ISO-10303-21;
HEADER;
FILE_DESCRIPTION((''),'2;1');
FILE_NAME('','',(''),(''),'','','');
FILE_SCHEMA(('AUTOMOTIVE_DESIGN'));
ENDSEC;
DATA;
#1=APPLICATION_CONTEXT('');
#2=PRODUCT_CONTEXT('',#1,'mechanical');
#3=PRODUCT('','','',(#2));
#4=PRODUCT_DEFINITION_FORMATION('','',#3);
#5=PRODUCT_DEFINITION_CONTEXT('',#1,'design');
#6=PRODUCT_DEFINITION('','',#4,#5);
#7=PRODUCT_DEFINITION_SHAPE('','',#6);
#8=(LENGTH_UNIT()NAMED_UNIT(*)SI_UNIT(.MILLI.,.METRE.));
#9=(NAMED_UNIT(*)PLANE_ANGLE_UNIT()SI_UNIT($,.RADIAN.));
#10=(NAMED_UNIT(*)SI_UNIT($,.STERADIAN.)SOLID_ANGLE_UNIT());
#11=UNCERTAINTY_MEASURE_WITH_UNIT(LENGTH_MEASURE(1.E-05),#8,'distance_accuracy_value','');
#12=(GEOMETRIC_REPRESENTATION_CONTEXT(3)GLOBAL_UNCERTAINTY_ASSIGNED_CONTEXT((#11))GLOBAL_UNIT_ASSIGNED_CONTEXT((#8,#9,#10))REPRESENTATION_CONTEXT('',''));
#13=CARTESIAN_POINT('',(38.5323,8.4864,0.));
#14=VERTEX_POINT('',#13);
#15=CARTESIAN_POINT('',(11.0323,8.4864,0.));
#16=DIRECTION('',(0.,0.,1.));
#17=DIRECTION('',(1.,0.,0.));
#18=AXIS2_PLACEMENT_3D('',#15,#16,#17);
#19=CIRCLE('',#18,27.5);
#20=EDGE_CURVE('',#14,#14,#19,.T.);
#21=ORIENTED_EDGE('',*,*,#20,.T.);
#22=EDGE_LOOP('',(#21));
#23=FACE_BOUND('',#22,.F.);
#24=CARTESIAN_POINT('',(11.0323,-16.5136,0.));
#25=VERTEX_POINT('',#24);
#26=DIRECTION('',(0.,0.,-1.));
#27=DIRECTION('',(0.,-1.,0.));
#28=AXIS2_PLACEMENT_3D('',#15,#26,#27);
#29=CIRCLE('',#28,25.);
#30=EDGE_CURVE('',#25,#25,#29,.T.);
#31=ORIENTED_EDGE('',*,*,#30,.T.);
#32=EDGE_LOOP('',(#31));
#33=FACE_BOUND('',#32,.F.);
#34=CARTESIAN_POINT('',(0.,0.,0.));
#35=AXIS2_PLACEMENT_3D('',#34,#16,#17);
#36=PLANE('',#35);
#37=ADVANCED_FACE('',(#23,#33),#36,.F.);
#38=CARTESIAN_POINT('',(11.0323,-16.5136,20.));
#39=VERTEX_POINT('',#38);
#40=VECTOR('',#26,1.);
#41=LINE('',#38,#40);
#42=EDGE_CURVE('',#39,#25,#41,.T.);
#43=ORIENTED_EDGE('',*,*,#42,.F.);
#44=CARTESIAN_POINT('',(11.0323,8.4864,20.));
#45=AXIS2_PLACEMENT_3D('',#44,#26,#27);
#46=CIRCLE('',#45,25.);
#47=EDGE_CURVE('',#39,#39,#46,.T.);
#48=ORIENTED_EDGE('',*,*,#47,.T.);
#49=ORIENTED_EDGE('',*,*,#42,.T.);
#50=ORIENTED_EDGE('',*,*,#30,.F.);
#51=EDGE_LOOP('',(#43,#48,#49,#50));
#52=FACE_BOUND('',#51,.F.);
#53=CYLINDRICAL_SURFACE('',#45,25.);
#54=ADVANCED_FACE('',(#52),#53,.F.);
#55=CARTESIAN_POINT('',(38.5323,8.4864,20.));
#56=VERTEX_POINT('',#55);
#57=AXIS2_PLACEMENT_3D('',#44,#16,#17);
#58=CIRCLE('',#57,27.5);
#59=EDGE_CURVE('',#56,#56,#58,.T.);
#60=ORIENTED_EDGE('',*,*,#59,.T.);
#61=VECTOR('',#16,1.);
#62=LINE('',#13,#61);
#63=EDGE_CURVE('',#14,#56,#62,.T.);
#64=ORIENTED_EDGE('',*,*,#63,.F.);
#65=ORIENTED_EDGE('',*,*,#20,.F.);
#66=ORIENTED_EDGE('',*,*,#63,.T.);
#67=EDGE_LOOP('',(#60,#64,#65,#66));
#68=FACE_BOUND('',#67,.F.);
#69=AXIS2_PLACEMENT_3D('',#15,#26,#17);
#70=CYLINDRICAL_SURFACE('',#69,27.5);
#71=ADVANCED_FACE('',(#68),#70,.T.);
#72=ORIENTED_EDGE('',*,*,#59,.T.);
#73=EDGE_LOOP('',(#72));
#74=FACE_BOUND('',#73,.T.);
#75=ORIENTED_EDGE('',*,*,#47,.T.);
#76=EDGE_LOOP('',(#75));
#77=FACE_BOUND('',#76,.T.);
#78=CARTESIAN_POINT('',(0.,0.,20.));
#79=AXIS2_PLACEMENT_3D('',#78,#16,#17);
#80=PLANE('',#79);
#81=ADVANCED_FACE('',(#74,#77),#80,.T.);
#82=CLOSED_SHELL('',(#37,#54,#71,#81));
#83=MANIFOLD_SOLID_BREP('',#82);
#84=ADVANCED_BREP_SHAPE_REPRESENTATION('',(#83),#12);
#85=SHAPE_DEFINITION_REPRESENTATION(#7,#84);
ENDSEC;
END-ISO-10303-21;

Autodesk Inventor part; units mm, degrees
ref_plane "YZ Plane" through (0, 0, 0) normal (1, 0, 0) x (0, 1, 0)
ref_plane "XZ Plane" through (0, 0, 0) normal (0, 1, 0) x (-1, 0, 0)
ref_plane "XY Plane" through (0, 0, 0) normal (0, 0, 1) x (1, 0, 0)
sketch "Sketch1" plane through (0, 0, 0) normal (0, 0, 1) x (1, 0, 0)
  circle A0 centre (11.0323, 8.4864) radius 27.5
  dimension "d0" = 55
extrude "Extrusion1" add sketch "Sketch1" along normal blind 20
sketch "Sketch2" plane through (11.0323, 8.4864, 20) normal (0, 0, 1) x (1, 0, 0)
  circle A0 centre (0, 0) radius 27.5 projected
hole "Hole1" at (11.0323, 8.4864, 20) direction (0, 0, -1) diameter 50 end through all
properties part number "Hardened bush 50x55x20" material "Steel, Mild"
